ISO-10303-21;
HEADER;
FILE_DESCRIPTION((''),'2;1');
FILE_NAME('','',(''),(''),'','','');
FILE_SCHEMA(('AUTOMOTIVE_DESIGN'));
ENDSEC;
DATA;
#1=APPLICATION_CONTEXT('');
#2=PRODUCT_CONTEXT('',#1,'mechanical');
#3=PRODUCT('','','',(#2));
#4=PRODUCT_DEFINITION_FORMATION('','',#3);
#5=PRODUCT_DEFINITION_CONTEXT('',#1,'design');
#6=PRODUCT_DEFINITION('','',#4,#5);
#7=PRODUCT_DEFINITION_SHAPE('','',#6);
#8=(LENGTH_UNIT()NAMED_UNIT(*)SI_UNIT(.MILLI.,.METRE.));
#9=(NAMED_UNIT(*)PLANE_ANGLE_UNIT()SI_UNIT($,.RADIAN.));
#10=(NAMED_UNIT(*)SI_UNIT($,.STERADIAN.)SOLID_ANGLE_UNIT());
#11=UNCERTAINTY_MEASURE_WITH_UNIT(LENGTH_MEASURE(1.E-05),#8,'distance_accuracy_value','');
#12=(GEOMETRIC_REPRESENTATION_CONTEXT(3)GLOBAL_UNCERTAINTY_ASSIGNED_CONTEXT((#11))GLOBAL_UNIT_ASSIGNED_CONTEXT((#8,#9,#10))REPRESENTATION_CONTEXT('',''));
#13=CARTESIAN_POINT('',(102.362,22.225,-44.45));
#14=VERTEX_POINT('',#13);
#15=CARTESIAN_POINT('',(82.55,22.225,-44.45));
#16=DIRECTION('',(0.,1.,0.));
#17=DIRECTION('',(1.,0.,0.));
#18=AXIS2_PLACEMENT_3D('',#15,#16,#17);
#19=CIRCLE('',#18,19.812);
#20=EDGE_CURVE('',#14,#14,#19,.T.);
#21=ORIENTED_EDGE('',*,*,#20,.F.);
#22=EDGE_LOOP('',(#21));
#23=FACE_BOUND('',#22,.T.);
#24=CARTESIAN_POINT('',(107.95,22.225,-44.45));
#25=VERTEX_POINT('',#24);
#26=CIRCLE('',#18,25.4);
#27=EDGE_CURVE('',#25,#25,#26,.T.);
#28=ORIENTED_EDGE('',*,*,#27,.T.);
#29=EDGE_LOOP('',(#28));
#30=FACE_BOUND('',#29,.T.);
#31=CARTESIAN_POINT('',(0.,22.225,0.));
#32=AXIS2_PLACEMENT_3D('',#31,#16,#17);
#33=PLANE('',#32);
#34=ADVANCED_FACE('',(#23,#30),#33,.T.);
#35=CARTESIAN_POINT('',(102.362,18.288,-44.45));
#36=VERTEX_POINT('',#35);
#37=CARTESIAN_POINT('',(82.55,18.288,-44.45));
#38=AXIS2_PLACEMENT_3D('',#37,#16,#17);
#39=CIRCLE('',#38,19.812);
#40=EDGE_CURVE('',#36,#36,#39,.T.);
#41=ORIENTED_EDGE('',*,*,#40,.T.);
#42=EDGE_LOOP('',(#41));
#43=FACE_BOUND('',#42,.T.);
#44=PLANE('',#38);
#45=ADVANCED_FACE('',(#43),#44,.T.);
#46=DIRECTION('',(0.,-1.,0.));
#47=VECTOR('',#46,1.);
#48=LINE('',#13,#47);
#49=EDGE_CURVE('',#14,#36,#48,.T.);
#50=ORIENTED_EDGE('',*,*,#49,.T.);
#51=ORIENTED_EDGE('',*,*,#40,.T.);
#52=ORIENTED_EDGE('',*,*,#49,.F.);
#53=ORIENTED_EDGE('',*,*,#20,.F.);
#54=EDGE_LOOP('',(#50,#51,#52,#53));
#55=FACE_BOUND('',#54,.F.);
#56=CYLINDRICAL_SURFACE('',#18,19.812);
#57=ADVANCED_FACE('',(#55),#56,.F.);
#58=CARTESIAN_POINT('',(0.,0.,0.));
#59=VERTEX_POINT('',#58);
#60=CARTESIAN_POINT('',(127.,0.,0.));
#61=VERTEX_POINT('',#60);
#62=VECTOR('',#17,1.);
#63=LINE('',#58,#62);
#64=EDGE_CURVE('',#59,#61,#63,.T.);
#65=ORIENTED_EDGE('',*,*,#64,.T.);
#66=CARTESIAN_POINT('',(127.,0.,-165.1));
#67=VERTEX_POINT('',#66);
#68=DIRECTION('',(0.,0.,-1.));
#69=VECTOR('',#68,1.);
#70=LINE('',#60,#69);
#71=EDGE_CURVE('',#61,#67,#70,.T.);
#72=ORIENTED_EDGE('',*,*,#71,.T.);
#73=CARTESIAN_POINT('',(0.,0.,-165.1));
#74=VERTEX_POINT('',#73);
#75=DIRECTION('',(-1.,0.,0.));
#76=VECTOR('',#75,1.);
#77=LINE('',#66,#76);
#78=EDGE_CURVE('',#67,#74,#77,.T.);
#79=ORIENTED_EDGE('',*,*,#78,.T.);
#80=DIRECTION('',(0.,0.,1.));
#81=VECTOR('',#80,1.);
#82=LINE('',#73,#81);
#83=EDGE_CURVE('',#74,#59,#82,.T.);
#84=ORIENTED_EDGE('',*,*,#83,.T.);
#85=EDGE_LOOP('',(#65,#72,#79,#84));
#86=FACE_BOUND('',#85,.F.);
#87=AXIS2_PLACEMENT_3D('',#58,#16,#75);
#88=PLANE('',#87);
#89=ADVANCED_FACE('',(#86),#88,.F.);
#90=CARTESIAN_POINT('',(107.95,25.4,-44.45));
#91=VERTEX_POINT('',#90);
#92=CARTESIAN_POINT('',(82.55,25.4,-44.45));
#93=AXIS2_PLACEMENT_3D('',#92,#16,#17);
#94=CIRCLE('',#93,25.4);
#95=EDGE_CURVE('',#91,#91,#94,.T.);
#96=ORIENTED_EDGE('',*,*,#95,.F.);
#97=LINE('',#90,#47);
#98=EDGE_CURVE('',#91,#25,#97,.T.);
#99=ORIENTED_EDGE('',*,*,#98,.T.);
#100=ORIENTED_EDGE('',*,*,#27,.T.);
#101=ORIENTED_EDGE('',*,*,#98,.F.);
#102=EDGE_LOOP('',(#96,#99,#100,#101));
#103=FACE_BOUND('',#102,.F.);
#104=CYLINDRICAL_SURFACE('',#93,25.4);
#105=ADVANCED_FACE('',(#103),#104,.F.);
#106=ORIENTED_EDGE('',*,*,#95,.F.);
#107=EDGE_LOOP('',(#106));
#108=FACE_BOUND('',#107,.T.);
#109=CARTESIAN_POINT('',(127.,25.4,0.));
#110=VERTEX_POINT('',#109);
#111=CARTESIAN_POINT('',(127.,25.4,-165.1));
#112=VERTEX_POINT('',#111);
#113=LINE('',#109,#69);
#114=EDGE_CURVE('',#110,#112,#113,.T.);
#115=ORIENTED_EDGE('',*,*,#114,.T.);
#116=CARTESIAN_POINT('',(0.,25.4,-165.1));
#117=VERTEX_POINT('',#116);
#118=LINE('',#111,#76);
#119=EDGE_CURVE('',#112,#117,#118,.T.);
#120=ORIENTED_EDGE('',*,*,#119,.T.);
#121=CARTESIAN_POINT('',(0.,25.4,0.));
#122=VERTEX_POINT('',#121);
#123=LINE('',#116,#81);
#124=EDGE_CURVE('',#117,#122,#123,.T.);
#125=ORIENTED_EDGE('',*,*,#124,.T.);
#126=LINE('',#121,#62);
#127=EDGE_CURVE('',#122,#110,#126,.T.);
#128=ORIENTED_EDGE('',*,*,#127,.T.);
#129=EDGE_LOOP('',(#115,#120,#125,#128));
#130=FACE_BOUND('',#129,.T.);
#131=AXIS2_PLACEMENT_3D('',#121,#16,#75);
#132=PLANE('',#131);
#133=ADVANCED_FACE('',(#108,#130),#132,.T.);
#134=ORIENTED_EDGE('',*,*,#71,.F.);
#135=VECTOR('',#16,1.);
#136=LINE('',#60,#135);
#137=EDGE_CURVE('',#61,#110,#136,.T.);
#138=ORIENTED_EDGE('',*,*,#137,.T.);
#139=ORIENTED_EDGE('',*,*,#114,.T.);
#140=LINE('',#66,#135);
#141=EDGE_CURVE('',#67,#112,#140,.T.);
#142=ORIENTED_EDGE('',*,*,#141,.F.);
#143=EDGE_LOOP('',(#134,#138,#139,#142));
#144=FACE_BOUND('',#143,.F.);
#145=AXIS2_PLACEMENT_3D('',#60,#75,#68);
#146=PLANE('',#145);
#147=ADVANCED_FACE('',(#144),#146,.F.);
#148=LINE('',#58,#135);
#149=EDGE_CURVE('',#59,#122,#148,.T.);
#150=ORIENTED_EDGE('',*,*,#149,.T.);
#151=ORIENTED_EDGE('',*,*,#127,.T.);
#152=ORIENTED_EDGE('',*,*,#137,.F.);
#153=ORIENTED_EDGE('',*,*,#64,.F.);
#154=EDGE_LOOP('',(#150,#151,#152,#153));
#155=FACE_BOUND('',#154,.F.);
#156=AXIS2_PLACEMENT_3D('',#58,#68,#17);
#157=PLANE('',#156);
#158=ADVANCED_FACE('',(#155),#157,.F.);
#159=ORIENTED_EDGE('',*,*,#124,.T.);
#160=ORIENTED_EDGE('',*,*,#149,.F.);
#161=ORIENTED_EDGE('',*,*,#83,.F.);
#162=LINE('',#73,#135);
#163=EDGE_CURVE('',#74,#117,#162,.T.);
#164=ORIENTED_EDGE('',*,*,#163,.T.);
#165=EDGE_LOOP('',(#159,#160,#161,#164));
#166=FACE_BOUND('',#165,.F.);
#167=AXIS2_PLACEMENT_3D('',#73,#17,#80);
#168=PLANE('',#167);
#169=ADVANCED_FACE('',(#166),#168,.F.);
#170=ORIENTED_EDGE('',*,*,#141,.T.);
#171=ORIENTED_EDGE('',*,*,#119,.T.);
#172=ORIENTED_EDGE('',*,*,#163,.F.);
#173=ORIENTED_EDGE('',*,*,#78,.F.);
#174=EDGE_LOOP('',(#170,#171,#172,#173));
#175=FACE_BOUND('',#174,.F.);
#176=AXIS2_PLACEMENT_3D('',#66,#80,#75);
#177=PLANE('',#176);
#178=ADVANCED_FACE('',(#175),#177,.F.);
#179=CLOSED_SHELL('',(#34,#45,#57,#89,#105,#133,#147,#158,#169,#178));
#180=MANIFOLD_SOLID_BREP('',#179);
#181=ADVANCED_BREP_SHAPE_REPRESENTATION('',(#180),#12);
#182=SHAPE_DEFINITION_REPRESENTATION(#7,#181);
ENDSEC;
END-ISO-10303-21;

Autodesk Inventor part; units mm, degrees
ref_plane "YZ Plane" through (0, 0, 0) normal (1, 0, 0) x (0, 1, 0)
ref_plane "XZ Plane" through (0, 0, 0) normal (0, 1, 0) x (-1, 0, 0)
ref_plane "XY Plane" through (0, 0, 0) normal (0, 0, 1) x (1, 0, 0)
sketch "Sketch1" plane through (0, 0, 0) normal (0, 1, 0) x (-1, 0, 0)
  line L0 (0, 0) -> (-127, 0)
  line L1 (-127, 0) -> (-127, -165.1)
  line L2 (-127, -165.1) -> (0, -165.1)
  line L3 (0, -165.1) -> (0, 0)
  dimension "d0" = 127
  dimension "d1" = 165.1
extrude "Extrusion1" add sketch "Sketch1" along normal blind 25.4
sketch "Sketch2" plane through (0, 25.4, 0) normal (0, 1, 0) x (1, 0, 0)
  circle A0 centre (82.55, 44.45) radius 25.4
  line L0 (0, 0) -> (127, 0) projected
  line L1 (127, 0) -> (127, 165.1) projected
  line L2 (127, 165.1) -> (0, 165.1) projected
  line L3 (0, 165.1) -> (0, 0) projected
  dimension "d4" = 50.8
  dimension "d5" = 44.45
  dimension "d6" = 44.45
extrude "Extrusion2" cut sketch "Sketch2" against normal blind 3.175 contours A0
sketch "Sketch3" plane through (82.55, 22.225, -44.45) normal (0, 1, 0) x (1, 0, 0)
  circle A0 centre (0, 0) radius 19.812
  point P0 (-82.55, -44.45)
  dimension "d9" = 39.624
extrude "Extrusion3" cut sketch "Sketch3" against normal blind 3.937
equation "\"d5\" = d6"
properties part number "AK plaque"
